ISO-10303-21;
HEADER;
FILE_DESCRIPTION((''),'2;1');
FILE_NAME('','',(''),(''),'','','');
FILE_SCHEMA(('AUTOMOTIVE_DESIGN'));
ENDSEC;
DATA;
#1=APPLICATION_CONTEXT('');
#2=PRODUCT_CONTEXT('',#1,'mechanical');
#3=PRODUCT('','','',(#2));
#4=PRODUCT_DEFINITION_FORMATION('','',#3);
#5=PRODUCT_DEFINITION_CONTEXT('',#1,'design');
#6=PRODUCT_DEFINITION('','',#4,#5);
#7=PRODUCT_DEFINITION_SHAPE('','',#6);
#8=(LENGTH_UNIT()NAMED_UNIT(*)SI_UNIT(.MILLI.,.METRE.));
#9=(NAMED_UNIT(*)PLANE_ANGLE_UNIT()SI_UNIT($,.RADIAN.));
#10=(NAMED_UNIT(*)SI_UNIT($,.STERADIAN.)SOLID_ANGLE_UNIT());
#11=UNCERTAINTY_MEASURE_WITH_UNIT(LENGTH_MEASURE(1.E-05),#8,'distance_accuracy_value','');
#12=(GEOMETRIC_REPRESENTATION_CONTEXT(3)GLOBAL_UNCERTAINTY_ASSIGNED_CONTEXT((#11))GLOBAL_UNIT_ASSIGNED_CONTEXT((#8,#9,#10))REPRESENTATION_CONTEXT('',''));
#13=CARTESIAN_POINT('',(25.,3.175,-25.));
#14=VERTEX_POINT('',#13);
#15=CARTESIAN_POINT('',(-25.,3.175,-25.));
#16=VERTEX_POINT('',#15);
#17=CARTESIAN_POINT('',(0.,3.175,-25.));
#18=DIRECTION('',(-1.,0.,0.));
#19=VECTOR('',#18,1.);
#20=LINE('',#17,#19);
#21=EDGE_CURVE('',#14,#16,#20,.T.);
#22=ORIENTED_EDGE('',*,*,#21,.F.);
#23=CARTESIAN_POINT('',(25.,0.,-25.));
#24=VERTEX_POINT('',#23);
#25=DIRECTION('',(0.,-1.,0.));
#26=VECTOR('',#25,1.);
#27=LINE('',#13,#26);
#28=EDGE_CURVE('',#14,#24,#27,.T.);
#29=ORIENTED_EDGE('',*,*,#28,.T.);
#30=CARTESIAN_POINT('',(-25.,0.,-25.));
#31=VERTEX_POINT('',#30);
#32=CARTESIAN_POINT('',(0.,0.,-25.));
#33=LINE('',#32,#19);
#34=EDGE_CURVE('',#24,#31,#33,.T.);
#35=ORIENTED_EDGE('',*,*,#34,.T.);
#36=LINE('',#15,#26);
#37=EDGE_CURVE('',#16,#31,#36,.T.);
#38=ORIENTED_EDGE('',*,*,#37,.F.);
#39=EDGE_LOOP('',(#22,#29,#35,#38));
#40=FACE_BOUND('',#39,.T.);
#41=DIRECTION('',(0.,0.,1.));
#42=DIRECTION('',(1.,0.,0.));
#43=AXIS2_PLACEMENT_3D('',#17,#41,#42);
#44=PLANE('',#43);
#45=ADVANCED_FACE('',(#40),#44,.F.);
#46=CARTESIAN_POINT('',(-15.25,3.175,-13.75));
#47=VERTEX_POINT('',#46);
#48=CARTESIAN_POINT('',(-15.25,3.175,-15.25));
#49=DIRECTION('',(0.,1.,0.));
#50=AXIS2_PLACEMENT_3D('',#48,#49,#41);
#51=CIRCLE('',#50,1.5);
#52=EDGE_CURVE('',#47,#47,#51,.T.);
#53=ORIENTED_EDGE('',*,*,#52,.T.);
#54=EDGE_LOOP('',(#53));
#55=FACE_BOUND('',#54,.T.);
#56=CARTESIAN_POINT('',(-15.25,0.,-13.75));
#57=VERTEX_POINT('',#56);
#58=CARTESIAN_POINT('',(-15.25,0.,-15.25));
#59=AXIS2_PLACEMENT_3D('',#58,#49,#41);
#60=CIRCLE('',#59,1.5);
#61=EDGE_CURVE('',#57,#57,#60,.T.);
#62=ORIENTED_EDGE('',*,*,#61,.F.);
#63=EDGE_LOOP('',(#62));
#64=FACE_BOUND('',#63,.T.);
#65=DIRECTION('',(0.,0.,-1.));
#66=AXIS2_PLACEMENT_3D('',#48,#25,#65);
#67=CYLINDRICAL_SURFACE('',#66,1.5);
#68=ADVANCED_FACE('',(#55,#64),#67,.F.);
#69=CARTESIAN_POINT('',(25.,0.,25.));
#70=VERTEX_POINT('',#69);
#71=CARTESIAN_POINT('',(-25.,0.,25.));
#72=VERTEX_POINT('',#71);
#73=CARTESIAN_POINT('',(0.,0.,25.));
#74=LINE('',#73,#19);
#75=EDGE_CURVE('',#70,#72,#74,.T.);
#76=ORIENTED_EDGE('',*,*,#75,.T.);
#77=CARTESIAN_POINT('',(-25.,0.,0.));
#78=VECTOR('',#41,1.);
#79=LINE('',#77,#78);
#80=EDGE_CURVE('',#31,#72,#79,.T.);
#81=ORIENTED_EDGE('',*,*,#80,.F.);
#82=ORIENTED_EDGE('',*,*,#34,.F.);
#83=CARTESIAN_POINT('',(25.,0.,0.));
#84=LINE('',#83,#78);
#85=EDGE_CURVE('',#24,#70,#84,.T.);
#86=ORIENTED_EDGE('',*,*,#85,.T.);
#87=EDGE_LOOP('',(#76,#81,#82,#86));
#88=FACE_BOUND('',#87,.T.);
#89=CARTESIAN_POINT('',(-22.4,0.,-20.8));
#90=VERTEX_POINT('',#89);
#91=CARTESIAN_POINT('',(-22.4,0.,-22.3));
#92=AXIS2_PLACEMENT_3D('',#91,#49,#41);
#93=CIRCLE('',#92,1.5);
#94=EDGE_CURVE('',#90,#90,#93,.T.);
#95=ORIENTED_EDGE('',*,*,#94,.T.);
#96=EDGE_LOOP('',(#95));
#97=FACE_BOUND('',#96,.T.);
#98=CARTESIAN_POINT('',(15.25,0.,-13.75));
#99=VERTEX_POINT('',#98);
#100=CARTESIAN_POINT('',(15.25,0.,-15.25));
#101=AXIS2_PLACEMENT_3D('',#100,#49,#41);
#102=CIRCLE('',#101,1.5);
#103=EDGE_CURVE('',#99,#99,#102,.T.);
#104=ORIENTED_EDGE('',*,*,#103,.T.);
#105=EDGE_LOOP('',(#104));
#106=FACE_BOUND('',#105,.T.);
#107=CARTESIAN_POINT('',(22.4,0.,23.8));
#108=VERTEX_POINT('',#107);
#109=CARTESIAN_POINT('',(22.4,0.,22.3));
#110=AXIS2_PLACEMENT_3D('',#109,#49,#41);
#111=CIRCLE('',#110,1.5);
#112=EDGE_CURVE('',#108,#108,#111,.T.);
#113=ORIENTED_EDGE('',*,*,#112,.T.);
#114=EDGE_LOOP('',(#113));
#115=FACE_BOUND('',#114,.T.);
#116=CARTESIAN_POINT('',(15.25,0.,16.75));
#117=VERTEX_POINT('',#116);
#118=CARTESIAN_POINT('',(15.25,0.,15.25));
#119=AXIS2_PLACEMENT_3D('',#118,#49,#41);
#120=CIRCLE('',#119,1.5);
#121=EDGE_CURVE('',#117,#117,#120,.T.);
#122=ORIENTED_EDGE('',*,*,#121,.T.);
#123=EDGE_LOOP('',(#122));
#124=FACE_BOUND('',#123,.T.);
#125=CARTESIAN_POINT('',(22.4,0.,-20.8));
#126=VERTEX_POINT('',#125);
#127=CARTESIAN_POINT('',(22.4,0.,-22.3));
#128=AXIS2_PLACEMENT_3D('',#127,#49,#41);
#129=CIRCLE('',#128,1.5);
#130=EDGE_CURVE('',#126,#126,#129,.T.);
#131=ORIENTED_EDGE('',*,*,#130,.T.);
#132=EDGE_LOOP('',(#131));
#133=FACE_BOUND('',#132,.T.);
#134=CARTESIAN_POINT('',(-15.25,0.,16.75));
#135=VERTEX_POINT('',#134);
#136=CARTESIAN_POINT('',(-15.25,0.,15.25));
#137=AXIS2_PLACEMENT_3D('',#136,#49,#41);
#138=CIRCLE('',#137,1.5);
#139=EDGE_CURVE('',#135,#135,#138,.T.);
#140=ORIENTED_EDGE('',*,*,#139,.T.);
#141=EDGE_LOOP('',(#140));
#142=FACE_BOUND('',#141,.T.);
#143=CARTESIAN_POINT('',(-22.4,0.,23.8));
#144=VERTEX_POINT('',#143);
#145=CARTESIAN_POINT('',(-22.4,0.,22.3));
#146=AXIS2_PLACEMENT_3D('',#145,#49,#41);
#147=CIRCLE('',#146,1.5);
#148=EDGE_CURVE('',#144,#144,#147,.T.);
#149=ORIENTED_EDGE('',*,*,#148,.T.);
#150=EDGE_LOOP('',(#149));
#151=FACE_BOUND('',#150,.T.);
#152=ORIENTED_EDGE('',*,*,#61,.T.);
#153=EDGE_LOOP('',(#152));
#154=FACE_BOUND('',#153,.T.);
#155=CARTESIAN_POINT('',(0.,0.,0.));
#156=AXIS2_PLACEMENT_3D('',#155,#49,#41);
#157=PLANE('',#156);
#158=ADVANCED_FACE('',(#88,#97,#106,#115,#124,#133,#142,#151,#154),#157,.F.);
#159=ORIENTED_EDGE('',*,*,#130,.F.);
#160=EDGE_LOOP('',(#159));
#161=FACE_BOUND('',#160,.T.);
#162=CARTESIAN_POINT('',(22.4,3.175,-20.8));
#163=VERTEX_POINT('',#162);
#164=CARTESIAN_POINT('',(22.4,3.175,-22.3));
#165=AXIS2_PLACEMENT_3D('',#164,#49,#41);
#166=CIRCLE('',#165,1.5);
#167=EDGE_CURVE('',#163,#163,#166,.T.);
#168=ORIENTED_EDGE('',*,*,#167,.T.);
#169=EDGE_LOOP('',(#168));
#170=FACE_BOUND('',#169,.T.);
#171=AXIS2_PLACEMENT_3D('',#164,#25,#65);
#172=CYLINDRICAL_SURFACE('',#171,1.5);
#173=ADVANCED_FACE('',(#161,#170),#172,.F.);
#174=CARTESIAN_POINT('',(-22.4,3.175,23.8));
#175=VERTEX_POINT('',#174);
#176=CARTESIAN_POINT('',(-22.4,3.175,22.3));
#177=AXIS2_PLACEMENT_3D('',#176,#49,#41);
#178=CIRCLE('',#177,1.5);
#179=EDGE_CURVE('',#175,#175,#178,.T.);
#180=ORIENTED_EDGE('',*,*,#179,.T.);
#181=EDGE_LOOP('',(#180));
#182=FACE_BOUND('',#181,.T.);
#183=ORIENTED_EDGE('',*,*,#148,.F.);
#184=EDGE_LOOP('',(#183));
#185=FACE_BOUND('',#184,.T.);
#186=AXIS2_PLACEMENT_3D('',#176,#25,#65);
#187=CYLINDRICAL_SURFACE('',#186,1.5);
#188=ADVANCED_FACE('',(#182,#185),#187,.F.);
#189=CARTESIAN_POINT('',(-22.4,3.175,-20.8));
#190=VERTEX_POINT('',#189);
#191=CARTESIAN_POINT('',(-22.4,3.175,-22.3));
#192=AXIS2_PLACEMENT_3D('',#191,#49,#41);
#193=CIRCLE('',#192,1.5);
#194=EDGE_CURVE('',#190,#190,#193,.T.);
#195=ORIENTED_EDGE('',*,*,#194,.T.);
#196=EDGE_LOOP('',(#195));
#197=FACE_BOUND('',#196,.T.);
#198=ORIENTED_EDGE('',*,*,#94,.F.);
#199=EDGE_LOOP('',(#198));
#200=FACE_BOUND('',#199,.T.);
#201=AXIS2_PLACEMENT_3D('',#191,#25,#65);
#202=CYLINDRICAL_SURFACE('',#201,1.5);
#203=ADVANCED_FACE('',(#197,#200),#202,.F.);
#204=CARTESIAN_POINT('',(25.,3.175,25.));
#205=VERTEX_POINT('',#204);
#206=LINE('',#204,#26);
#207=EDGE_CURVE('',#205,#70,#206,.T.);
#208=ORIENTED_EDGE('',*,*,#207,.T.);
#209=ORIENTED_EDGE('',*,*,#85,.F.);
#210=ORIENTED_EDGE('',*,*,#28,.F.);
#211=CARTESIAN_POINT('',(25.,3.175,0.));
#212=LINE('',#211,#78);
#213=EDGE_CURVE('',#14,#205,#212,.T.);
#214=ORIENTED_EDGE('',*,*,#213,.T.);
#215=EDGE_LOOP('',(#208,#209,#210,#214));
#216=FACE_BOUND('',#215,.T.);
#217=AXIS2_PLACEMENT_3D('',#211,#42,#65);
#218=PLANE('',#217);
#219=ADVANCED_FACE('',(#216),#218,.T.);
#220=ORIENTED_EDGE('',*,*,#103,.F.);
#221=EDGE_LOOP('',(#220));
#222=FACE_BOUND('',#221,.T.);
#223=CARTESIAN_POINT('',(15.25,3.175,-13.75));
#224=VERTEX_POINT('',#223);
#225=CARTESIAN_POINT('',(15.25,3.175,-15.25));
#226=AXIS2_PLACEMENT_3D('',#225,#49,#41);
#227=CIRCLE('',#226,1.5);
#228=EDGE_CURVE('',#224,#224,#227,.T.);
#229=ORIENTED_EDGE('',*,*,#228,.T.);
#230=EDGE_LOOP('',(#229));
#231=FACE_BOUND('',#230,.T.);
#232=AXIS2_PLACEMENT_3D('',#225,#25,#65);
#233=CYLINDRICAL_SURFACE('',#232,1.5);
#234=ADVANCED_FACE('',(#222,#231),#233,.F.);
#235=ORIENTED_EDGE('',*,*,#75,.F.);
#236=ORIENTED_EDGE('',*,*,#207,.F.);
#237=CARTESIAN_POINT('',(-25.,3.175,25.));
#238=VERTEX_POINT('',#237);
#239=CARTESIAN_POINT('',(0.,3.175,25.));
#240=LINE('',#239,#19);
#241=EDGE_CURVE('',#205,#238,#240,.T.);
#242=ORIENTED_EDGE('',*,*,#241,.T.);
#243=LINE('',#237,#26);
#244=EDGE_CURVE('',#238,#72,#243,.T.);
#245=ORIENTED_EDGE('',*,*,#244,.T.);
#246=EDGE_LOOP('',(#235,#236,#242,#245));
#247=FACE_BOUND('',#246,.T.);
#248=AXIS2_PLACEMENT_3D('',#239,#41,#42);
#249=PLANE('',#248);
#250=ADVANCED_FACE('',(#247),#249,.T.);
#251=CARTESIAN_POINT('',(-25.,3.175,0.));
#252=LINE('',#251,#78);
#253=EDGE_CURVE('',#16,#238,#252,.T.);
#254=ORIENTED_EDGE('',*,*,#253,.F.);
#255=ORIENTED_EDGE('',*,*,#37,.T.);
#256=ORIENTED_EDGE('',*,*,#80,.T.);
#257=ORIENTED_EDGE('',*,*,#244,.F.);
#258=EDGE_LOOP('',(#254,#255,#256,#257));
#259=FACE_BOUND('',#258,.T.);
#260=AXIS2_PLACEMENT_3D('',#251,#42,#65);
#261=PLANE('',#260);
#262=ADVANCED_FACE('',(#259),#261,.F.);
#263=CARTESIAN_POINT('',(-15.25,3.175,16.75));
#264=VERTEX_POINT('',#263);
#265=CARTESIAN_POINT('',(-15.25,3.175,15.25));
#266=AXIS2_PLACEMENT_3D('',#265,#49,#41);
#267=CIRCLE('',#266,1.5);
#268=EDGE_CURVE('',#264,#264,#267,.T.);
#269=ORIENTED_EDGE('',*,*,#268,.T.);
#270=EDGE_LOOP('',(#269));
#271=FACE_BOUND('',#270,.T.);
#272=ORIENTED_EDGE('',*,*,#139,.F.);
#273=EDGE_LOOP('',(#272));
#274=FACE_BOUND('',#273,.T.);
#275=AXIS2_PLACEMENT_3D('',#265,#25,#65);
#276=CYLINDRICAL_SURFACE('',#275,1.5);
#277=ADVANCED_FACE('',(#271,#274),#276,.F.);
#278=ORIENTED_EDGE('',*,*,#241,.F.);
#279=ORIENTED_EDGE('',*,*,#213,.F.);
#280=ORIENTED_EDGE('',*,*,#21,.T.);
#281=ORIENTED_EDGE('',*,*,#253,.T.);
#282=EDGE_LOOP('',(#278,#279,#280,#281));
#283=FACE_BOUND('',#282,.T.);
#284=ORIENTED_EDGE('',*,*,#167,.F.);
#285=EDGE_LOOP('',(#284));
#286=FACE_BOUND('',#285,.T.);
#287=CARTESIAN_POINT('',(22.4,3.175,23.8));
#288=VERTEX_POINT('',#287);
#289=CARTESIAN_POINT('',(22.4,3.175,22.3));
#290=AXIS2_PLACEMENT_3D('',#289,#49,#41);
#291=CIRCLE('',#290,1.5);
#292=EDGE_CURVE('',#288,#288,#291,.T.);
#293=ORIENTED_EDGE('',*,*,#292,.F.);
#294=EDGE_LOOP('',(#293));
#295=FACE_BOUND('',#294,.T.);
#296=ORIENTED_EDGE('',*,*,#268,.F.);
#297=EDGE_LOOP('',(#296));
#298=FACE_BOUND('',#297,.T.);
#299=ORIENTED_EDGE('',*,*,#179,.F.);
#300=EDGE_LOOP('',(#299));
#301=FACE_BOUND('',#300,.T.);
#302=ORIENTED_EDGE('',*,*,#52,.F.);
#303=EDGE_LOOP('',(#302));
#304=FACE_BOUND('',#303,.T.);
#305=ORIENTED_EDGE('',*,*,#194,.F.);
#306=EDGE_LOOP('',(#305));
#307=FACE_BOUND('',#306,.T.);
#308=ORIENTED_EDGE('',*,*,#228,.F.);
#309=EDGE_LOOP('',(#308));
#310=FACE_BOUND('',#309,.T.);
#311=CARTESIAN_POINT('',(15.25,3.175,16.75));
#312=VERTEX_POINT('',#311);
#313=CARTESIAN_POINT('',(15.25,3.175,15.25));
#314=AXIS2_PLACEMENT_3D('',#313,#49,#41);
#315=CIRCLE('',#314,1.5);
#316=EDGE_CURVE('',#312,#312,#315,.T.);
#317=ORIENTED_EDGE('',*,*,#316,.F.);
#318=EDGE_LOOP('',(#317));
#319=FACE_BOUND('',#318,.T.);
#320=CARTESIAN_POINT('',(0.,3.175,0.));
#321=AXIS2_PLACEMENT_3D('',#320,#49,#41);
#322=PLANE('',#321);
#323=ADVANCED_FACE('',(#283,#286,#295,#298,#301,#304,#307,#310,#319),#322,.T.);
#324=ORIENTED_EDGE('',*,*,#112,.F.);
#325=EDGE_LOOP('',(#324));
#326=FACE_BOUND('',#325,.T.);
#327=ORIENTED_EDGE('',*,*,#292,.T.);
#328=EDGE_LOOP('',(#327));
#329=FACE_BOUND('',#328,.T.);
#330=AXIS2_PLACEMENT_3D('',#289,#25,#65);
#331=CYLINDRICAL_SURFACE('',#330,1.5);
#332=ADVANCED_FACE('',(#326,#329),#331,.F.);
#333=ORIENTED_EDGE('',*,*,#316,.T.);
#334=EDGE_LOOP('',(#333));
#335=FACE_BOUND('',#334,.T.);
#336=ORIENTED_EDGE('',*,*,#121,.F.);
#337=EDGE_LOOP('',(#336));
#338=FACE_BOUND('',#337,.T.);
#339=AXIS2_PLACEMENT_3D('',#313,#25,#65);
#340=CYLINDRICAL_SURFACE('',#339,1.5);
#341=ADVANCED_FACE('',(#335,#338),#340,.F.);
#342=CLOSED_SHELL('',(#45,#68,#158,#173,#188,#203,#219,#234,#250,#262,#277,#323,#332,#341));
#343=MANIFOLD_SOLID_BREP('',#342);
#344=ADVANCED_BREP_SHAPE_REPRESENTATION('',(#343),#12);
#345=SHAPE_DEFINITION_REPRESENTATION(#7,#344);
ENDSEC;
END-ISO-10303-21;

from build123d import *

# Parameters (mm, degrees)
SKETCH1_W           = 50
SKETCH1_H           = 50
SKETCH1_R           = 1.5
BOSS_EXTRUDE1_DEPTH = 3.175


with BuildPart() as part:
    # Sketch1 → Boss-Extrude1 (new body)
    with BuildSketch(Plane(origin=(0, 0, 0), x_dir=(1, 0, 0), z_dir=(0, 1, 0))):
        Rectangle(SKETCH1_W, SKETCH1_H)
        with Locations((-22.4, 22.3)):
            Circle(SKETCH1_R, mode=Mode.SUBTRACT)
        with Locations((22.4, 22.3)):
            Circle(SKETCH1_R, mode=Mode.SUBTRACT)
        with Locations((22.4, -22.3)):
            Circle(SKETCH1_R, mode=Mode.SUBTRACT)
        with Locations((-22.4, -22.3)):
            Circle(SKETCH1_R, mode=Mode.SUBTRACT)
        with Locations((-15.25, 15.25)):
            Circle(SKETCH1_R, mode=Mode.SUBTRACT)
        with Locations((15.25, 15.25)):
            Circle(SKETCH1_R, mode=Mode.SUBTRACT)
        with Locations((15.25, -15.25)):
            Circle(SKETCH1_R, mode=Mode.SUBTRACT)
        with Locations((-15.25, -15.25)):
            Circle(SKETCH1_R, mode=Mode.SUBTRACT)
    extrude(amount=BOSS_EXTRUDE1_DEPTH)


solid = part.part
